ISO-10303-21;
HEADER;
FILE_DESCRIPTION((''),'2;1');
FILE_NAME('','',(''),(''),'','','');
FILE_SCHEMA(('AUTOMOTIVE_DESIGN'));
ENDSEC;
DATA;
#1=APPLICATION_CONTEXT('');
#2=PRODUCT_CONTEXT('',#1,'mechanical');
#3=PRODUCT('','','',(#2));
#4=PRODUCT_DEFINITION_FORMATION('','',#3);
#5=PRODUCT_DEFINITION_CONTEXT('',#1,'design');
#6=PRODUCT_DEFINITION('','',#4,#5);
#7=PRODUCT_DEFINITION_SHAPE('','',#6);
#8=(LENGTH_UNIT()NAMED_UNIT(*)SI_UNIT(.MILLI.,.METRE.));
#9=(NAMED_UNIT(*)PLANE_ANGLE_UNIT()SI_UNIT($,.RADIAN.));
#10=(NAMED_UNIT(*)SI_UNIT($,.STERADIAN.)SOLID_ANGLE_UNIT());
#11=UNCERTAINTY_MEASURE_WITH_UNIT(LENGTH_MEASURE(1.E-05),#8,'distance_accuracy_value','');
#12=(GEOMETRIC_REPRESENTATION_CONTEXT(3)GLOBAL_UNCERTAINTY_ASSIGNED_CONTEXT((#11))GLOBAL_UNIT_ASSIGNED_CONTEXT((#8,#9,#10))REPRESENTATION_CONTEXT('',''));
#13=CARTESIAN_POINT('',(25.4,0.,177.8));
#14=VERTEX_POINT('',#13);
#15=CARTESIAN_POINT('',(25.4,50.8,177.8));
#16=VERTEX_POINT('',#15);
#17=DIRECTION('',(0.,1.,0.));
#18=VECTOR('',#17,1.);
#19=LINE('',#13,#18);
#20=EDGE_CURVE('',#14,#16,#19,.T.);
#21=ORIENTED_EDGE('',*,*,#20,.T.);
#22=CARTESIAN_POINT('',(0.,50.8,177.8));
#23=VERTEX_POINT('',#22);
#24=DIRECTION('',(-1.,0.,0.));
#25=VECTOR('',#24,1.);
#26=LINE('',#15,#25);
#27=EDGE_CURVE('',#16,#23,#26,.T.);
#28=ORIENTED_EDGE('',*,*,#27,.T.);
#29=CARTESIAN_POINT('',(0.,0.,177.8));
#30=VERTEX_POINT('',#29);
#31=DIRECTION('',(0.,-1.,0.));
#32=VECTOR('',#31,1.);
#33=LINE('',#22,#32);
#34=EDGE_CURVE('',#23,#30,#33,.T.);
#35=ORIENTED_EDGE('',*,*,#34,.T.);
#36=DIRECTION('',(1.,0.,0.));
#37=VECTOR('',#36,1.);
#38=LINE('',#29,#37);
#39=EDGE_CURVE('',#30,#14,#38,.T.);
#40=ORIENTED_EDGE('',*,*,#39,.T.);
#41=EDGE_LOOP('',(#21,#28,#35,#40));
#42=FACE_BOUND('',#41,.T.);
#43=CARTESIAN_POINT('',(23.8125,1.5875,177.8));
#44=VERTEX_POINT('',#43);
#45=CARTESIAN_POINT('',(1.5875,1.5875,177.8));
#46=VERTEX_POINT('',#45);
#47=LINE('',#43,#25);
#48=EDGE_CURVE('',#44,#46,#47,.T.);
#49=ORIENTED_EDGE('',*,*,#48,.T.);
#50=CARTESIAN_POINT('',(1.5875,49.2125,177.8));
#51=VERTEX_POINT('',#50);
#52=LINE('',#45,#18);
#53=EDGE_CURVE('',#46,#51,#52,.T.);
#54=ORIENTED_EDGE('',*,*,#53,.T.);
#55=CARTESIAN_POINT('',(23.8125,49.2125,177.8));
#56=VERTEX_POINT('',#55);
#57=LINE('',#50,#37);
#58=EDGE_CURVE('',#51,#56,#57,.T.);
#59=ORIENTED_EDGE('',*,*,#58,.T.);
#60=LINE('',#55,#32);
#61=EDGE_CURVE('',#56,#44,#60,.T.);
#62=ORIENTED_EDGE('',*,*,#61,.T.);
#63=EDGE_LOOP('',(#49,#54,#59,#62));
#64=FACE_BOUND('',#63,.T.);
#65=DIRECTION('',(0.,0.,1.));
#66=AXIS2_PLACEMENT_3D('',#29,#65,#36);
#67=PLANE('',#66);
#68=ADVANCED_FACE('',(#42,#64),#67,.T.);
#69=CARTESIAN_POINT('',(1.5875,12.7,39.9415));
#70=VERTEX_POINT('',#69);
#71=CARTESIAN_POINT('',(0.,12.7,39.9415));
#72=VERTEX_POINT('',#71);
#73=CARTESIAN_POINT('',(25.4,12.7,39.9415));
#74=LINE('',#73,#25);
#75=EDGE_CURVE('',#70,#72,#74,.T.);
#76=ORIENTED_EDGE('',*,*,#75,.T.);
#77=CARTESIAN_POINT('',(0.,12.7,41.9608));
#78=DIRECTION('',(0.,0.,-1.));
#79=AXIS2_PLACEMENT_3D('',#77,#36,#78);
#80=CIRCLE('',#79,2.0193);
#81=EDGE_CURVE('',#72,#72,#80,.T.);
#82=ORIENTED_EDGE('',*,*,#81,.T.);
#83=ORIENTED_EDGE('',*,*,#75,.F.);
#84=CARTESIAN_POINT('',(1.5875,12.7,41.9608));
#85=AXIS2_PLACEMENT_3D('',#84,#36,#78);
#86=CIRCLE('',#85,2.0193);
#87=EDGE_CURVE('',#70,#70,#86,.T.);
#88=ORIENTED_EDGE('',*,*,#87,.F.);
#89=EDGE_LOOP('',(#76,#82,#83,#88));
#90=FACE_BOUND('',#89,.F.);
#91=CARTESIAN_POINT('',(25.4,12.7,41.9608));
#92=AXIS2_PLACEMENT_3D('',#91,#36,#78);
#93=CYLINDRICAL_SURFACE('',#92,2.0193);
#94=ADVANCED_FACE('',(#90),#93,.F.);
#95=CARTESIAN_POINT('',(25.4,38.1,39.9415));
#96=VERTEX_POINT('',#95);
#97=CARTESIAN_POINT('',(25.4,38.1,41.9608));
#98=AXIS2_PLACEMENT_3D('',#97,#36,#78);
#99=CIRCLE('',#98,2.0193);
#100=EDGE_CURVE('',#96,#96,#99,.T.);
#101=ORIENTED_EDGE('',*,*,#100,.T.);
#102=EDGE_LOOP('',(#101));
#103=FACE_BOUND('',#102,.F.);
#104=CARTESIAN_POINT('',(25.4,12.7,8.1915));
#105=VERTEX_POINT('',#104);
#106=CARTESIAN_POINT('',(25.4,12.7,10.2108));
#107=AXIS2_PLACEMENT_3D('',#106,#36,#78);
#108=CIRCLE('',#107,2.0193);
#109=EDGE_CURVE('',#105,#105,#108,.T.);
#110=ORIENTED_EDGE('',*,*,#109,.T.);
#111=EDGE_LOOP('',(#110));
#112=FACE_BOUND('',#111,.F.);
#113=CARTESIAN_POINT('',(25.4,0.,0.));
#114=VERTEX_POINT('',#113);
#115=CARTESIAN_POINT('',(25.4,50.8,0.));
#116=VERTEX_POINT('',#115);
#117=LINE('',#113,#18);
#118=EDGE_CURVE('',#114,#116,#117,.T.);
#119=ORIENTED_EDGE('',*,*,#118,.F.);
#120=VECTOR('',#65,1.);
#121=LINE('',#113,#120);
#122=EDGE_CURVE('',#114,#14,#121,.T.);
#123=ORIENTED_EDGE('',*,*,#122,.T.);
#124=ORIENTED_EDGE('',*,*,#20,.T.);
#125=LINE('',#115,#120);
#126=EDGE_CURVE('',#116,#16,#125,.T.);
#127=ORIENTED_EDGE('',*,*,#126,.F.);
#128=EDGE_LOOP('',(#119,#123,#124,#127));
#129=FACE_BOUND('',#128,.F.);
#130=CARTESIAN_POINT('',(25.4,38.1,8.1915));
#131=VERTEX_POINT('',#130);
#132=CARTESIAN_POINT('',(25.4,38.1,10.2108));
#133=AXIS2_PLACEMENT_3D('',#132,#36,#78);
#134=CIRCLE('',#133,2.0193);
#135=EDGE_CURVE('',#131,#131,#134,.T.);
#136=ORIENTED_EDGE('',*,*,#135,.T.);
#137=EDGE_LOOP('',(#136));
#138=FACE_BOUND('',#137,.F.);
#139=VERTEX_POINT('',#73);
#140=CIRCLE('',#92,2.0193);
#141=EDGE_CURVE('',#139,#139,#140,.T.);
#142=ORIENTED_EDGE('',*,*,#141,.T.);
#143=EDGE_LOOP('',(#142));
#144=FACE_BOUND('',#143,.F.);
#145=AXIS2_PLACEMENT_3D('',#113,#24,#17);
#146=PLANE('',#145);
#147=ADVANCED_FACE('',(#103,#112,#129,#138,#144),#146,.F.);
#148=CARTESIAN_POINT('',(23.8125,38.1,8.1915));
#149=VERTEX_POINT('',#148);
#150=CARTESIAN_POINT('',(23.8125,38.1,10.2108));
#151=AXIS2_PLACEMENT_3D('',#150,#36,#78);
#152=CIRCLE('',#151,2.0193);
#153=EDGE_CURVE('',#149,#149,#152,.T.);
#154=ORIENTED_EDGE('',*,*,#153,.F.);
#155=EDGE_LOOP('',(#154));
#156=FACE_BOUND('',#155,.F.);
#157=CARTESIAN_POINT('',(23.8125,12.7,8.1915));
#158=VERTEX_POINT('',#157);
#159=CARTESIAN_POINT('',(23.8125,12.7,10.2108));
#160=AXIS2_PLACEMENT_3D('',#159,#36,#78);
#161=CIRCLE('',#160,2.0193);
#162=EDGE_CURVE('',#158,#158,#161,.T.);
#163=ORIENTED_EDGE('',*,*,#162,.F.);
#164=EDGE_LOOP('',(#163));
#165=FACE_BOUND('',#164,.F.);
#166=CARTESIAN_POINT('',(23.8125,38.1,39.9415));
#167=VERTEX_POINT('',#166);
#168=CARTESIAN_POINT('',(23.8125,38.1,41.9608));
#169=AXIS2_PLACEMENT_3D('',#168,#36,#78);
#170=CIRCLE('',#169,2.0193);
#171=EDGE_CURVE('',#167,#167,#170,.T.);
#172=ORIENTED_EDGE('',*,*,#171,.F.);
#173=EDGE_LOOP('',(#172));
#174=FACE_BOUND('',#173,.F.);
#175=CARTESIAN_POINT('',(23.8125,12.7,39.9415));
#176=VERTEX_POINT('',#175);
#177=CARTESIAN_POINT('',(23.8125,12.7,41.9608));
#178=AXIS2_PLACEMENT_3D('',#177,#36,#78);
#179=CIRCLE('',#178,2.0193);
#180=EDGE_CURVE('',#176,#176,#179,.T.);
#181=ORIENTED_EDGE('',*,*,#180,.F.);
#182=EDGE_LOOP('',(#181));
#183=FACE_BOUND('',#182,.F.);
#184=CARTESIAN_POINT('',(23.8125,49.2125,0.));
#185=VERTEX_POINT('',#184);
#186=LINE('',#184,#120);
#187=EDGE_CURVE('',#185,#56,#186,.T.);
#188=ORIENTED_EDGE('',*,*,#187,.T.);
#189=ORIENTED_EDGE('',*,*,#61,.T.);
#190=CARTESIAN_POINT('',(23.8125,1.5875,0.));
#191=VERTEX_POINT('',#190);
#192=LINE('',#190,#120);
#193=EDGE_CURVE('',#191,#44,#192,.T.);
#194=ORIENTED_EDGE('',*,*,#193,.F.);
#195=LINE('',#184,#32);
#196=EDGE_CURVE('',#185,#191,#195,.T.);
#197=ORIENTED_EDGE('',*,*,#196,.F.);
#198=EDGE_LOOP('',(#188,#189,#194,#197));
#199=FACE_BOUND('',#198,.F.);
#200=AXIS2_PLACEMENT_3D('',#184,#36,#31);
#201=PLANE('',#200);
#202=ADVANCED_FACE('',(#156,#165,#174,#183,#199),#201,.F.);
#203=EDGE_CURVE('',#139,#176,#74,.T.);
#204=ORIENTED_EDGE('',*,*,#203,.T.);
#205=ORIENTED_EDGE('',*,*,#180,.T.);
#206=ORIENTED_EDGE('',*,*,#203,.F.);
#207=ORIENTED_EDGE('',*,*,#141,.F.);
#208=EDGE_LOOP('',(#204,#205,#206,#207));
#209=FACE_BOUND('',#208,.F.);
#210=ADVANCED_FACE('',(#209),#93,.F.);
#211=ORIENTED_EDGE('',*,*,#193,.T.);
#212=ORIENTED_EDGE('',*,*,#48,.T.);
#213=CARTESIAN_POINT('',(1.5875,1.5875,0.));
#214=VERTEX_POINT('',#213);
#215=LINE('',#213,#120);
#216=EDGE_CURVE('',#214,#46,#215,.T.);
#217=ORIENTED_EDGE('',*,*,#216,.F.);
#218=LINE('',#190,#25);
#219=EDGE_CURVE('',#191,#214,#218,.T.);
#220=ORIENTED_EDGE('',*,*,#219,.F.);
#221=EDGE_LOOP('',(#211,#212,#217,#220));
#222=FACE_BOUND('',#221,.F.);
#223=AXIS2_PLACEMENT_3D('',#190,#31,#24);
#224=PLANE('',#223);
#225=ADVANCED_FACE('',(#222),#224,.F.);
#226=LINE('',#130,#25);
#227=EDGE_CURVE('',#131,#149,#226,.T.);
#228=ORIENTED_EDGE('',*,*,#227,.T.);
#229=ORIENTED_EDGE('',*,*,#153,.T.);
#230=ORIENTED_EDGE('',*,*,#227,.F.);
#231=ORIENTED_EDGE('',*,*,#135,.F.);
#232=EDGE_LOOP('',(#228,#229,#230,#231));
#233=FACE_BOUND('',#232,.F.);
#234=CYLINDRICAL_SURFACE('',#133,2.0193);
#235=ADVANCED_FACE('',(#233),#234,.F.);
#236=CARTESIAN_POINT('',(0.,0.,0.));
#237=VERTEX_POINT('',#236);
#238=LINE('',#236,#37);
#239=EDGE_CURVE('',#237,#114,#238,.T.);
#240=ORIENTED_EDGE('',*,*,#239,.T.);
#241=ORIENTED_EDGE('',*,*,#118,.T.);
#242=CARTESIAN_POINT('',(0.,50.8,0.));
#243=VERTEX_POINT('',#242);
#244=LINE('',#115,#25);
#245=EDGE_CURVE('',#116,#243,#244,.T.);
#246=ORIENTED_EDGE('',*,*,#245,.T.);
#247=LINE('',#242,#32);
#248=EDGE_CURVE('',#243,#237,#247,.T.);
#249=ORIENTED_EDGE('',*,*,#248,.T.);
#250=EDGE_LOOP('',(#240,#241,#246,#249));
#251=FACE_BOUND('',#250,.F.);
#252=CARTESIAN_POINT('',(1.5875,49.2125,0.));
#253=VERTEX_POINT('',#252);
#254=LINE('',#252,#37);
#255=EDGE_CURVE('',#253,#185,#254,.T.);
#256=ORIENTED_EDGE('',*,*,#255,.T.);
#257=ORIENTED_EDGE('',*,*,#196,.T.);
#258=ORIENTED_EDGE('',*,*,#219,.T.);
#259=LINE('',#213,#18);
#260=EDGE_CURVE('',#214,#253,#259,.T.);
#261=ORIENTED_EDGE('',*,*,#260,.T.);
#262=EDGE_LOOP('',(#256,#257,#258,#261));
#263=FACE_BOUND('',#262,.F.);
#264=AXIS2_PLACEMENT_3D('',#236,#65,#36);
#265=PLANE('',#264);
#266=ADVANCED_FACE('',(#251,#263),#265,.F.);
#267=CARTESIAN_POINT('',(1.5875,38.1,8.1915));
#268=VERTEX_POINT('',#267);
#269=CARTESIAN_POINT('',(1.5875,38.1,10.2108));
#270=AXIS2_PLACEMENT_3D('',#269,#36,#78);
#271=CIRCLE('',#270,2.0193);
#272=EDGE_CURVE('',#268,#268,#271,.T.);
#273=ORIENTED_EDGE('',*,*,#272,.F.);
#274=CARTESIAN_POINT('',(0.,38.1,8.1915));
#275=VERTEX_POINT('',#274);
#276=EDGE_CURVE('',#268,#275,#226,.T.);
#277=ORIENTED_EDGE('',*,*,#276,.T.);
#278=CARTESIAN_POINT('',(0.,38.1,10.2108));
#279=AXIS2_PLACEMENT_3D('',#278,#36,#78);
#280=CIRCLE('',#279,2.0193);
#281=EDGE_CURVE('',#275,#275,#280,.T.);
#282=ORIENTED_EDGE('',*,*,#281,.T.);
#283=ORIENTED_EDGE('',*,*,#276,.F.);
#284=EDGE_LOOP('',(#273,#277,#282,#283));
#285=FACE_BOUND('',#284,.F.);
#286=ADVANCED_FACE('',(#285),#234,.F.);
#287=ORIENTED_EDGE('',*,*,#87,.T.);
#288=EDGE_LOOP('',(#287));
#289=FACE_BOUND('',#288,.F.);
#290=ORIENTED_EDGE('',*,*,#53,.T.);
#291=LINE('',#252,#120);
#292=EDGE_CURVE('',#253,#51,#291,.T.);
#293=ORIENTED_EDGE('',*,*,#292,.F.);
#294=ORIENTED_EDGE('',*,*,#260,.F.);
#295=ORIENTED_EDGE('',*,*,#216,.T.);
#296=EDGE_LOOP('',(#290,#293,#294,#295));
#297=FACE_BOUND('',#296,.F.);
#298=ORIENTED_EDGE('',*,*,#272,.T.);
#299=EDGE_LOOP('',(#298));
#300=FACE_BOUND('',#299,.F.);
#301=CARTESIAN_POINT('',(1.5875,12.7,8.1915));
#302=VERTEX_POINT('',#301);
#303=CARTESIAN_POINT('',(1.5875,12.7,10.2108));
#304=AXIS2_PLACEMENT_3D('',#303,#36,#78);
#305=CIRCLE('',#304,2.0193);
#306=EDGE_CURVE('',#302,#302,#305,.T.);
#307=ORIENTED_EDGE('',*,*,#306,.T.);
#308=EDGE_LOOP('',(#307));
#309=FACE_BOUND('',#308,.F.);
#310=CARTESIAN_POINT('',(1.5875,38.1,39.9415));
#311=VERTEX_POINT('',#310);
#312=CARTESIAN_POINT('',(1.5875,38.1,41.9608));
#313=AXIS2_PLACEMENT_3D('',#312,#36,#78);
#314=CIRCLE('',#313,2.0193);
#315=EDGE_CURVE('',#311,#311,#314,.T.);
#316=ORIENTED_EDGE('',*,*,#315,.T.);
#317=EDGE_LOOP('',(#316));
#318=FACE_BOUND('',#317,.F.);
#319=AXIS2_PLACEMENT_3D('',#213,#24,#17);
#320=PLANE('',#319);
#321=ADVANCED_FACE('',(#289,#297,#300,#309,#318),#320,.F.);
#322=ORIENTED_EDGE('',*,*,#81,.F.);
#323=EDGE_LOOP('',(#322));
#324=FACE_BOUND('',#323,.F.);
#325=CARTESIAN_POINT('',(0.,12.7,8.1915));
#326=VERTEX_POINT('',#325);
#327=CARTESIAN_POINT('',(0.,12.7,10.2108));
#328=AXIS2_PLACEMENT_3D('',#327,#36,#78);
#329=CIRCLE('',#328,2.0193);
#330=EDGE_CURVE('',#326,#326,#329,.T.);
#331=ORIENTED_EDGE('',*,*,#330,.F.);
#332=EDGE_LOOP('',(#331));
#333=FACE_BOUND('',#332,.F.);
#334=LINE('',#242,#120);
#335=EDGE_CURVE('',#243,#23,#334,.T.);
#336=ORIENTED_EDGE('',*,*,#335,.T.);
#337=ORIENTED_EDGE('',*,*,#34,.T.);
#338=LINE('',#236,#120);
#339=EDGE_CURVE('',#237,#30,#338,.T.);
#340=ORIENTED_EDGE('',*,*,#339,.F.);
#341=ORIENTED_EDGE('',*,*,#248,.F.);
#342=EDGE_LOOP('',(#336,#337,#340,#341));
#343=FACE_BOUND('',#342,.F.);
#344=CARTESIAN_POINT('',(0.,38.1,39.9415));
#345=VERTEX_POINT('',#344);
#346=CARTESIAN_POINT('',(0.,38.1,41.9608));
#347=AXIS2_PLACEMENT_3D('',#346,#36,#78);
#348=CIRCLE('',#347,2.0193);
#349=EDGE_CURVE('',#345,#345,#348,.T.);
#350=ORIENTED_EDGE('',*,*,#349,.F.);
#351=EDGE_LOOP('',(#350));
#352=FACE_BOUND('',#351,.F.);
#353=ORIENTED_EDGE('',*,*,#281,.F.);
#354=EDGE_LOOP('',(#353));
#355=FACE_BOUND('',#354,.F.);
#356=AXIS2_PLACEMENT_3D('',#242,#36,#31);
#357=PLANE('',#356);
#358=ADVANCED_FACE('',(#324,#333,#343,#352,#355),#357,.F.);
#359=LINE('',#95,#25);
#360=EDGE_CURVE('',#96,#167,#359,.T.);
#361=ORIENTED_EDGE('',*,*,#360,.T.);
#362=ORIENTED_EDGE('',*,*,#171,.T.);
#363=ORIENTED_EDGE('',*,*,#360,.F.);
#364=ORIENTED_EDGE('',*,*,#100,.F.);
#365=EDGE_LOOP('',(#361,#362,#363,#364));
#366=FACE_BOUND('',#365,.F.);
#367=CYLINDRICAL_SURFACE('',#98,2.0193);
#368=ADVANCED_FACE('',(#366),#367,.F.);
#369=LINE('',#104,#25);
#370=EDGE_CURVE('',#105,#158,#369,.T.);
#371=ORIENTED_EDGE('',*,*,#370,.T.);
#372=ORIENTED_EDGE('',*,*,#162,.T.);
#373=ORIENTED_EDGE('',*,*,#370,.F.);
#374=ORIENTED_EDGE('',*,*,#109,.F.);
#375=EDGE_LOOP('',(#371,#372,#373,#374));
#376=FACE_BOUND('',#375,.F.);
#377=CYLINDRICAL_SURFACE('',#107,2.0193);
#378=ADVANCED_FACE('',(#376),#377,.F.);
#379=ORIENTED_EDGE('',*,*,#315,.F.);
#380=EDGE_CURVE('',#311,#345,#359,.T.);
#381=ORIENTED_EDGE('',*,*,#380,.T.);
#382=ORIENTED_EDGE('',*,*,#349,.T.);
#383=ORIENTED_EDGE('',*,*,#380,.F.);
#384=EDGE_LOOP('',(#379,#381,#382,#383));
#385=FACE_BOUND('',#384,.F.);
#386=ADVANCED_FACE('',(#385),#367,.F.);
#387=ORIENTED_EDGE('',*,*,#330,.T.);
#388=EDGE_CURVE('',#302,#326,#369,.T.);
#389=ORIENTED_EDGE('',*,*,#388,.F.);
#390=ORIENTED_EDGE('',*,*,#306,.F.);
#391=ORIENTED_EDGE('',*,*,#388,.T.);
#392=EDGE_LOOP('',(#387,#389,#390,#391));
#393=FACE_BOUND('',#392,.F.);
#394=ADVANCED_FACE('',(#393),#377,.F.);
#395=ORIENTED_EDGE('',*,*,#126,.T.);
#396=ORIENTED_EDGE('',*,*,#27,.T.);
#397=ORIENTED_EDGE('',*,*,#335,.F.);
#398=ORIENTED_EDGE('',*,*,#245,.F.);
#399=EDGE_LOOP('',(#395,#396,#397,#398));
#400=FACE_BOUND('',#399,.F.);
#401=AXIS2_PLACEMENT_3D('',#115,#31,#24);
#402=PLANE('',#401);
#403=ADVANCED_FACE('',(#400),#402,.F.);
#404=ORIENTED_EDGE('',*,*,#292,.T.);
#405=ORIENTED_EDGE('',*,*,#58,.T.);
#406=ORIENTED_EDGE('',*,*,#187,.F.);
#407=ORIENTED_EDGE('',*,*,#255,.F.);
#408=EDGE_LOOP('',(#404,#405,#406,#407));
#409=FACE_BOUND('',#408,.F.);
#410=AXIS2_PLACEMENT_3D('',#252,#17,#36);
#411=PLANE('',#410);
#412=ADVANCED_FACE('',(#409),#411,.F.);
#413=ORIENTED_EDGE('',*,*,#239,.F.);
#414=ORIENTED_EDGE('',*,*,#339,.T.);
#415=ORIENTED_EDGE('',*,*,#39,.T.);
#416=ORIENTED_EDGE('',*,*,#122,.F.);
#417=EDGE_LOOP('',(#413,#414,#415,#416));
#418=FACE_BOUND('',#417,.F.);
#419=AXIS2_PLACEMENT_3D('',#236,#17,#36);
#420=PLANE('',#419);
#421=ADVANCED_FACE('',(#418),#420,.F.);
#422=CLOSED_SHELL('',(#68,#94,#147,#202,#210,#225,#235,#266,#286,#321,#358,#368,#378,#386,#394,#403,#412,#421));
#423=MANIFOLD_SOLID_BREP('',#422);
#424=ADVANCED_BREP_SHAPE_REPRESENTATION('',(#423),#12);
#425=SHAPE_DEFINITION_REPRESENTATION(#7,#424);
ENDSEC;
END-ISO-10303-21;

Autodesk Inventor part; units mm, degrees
ref_plane "YZ Plane" through (0, 0, 0) normal (1, 0, 0) x (0, 1, 0)
ref_plane "XZ Plane" through (0, 0, 0) normal (0, 1, 0) x (-1, 0, 0)
ref_plane "XY Plane" through (0, 0, 0) normal (0, 0, 1) x (1, 0, 0)
sketch "Sketch1" plane through (0, 0, 0) normal (0, 0, 1) x (1, 0, 0)
  line L0 (0, 0) -> (25.4, 0)
  line L1 (25.4, 0) -> (25.4, 50.8)
  line L2 (25.4, 50.8) -> (0, 50.8)
  line L3 (0, 50.8) -> (0, 0)
  line L4 (23.8125, 49.2125) -> (23.8125, 1.5875)
  line L5 (23.8125, 1.5875) -> (1.5875, 1.5875)
  line L6 (1.5875, 1.5875) -> (1.5875, 49.2125)
  line L7 (1.5875, 49.2125) -> (23.8125, 49.2125)
  dimension "d0" = 25.4
  dimension "d1" = 50.8
  dimension "d2" = 1.5875
extrude "Extrusion1" add sketch "Sketch1" along normal blind 177.8
sketch "Sketch2" plane through (25.4, 0, 0) normal (1, 0, 0) x (0, 0, -1)
  line L0 (0, 1.5875) -> (0, 49.2125) construction
  line L1 (0, 25.4) -> (0, 38.1) construction
  line L2 (0, 38.1) -> (-10.2108, 38.1) construction
  line L3 (-10.2108, 38.1) -> (-10.2108, 12.7) construction
  line L4 (-10.2108, 12.7) -> (-41.9608, 12.7) construction
  line L5 (-41.9608, 12.7) -> (-41.9608, 38.1) construction
  circle A0 centre (-10.2108, 38.1) radius 2.0193
  circle A1 centre (-10.2108, 12.7) radius 2.0193
  circle A2 centre (-41.9608, 12.7) radius 2.0193
  circle A3 centre (-41.9608, 38.1) radius 2.0193
  point P0 (0, 0)
  dimension "d5" = 12.7
  dimension "d6" = 10.2108
  dimension "d7" = 25.4
  dimension "d9" = 31.75
  dimension "d10" = 4.0386
extrude "Extrusion2" cut sketch "Sketch2" against normal blind 177.8
properties part number "1x2 Placeholder"
